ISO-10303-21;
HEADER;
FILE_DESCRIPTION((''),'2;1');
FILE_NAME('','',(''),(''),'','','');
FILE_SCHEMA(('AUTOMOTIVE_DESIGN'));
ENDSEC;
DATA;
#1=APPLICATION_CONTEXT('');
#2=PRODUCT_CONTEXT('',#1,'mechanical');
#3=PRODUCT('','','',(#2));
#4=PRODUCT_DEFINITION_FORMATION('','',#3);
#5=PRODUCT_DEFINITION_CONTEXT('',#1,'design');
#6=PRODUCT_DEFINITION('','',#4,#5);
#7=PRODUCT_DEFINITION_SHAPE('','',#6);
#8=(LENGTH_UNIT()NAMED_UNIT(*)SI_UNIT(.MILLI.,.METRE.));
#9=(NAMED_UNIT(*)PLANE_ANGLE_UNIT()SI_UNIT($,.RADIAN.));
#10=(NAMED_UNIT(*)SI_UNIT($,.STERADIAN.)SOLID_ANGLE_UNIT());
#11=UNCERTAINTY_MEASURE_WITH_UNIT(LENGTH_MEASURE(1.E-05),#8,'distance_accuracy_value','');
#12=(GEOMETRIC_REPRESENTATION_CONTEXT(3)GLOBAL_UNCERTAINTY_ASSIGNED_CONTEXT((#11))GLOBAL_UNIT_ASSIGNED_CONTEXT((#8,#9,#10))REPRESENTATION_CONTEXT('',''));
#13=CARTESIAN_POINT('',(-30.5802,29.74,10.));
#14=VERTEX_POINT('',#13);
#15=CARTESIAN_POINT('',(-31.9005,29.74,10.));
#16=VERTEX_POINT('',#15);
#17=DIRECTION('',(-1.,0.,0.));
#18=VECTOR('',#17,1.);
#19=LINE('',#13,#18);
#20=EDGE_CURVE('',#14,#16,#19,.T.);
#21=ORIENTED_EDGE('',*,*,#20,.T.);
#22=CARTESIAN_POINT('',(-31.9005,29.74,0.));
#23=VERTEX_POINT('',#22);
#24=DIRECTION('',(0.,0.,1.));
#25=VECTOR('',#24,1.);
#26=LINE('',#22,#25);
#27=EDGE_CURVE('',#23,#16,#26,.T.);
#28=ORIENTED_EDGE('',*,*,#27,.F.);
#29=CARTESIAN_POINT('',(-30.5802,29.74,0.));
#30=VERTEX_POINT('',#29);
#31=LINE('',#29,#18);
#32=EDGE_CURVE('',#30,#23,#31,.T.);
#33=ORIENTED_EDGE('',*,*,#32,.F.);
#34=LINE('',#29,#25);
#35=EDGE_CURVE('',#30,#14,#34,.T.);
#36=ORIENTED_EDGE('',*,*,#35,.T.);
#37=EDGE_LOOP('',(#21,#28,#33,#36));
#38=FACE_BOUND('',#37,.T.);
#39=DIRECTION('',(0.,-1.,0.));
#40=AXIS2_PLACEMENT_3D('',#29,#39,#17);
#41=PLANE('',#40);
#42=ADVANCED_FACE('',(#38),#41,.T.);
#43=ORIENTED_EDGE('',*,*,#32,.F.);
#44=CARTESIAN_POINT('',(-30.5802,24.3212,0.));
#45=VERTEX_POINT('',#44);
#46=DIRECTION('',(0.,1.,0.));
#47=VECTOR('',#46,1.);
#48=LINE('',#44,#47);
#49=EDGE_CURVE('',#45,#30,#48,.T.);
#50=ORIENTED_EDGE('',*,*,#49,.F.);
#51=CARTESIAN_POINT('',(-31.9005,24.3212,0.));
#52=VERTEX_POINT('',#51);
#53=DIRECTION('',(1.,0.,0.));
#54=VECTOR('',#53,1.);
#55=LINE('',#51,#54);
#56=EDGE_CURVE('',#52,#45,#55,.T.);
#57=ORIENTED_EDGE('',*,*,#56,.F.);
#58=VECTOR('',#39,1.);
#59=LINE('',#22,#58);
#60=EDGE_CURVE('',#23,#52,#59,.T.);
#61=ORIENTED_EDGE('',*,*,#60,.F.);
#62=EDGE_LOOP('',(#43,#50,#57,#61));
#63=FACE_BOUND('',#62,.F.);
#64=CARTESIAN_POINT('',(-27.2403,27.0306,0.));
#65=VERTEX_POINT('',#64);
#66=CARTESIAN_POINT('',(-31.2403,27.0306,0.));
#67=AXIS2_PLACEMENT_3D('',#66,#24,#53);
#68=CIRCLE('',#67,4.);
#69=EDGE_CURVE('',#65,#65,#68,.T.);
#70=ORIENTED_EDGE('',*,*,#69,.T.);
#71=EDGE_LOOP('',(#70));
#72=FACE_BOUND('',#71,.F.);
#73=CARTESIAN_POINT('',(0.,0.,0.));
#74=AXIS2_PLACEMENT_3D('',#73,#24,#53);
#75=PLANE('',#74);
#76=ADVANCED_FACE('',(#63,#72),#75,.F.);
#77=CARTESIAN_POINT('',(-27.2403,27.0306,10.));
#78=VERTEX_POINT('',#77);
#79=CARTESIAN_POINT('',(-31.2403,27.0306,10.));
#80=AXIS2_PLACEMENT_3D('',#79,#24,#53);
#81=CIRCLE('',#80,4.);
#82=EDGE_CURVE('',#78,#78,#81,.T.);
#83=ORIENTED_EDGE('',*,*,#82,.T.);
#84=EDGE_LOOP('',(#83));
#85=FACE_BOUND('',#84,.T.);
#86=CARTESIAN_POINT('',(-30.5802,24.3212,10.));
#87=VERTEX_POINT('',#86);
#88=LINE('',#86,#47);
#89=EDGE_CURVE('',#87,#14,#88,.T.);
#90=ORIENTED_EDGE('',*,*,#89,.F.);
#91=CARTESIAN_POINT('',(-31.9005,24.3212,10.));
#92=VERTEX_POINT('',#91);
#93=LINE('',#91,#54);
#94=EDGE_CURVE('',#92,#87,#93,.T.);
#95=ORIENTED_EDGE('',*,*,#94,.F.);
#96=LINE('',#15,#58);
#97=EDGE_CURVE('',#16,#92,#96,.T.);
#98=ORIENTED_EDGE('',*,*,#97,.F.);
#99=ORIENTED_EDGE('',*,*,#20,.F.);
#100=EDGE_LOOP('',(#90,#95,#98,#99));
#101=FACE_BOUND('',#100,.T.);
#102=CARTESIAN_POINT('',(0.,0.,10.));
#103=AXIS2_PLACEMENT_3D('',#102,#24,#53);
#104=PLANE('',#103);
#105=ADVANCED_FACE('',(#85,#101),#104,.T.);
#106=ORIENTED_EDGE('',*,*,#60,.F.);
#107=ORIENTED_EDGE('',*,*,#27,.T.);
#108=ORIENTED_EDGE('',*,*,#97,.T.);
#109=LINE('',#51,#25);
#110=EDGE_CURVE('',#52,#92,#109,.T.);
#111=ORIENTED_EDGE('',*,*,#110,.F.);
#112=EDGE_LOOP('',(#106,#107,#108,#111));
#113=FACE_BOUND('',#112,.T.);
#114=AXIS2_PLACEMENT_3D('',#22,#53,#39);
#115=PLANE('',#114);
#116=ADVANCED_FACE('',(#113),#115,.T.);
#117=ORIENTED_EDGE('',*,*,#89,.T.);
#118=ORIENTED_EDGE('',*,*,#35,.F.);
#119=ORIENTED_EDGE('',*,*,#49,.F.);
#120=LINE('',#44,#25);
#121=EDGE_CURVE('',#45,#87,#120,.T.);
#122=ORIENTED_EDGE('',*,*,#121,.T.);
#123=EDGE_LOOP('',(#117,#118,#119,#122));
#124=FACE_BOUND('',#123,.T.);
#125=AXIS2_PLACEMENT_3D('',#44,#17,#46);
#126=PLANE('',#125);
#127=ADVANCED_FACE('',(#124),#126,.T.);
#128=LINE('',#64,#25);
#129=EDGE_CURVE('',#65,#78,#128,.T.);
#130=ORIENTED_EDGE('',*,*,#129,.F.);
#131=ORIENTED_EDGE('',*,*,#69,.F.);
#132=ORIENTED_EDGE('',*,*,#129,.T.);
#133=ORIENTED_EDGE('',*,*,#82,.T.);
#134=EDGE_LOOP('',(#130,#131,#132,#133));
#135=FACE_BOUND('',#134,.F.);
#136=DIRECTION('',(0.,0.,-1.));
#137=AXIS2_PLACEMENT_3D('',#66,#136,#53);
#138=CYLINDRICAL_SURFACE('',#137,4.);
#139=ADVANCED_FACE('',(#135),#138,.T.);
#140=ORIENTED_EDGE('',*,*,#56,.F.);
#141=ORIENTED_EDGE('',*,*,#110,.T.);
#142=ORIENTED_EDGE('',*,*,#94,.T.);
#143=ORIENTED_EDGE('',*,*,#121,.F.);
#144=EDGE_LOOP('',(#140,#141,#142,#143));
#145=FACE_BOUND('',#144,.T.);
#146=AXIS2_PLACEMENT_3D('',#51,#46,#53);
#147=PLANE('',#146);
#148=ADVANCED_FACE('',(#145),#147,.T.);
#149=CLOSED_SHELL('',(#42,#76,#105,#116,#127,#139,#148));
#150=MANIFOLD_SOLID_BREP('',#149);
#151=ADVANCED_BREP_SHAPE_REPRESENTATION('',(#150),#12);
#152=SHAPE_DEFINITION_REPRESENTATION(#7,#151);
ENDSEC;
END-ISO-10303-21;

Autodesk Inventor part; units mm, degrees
ref_plane "YZ Plane" through (0, 0, 0) normal (1, 0, 0) x (0, 1, 0)
ref_plane "XZ Plane" through (0, 0, 0) normal (0, 1, 0) x (-1, 0, 0)
ref_plane "XY Plane" through (0, 0, 0) normal (0, 0, 1) x (1, 0, 0)
sketch "Эскиз1" plane through (0, 0, 0) normal (0, 0, 1) x (1, 0, 0)
  circle A0 centre (-31.2403, 27.0306) radius 4
  line L0 (-31.9005, 24.3212) -> (-30.5802, 24.3212)
  line L1 (-30.5802, 24.3212) -> (-30.5802, 29.74)
  line L2 (-30.5802, 29.74) -> (-31.9005, 29.74)
  line L3 (-31.9005, 29.74) -> (-31.9005, 24.3212)
  line L4 (-31.9005, 24.3212) -> (-30.5802, 29.74) construction
  line L5 (-30.5802, 24.3212) -> (-31.9005, 29.74) construction
  point P0 (0, 0)
  dimension "d0" = 8
extrude "Выдавливание1" add sketch "Эскиз1" along normal blind 10
ref_plane "РабПлоскость1" through (-63.6305, 53.4641, -0.3717) normal (0, 0, 1) x (1, 0, 0)
sketch "Эскиз2" plane through (-63.6305, 53.4641, -0.3717) normal (0, 0, 1) x (1, 0, 0)
  circle A0 centre (0, 0) radius 42.5 construction
  point P0 (63.6305, -53.4641)
  dimension "d3" = 85
properties part number "Clemma_CPY"
